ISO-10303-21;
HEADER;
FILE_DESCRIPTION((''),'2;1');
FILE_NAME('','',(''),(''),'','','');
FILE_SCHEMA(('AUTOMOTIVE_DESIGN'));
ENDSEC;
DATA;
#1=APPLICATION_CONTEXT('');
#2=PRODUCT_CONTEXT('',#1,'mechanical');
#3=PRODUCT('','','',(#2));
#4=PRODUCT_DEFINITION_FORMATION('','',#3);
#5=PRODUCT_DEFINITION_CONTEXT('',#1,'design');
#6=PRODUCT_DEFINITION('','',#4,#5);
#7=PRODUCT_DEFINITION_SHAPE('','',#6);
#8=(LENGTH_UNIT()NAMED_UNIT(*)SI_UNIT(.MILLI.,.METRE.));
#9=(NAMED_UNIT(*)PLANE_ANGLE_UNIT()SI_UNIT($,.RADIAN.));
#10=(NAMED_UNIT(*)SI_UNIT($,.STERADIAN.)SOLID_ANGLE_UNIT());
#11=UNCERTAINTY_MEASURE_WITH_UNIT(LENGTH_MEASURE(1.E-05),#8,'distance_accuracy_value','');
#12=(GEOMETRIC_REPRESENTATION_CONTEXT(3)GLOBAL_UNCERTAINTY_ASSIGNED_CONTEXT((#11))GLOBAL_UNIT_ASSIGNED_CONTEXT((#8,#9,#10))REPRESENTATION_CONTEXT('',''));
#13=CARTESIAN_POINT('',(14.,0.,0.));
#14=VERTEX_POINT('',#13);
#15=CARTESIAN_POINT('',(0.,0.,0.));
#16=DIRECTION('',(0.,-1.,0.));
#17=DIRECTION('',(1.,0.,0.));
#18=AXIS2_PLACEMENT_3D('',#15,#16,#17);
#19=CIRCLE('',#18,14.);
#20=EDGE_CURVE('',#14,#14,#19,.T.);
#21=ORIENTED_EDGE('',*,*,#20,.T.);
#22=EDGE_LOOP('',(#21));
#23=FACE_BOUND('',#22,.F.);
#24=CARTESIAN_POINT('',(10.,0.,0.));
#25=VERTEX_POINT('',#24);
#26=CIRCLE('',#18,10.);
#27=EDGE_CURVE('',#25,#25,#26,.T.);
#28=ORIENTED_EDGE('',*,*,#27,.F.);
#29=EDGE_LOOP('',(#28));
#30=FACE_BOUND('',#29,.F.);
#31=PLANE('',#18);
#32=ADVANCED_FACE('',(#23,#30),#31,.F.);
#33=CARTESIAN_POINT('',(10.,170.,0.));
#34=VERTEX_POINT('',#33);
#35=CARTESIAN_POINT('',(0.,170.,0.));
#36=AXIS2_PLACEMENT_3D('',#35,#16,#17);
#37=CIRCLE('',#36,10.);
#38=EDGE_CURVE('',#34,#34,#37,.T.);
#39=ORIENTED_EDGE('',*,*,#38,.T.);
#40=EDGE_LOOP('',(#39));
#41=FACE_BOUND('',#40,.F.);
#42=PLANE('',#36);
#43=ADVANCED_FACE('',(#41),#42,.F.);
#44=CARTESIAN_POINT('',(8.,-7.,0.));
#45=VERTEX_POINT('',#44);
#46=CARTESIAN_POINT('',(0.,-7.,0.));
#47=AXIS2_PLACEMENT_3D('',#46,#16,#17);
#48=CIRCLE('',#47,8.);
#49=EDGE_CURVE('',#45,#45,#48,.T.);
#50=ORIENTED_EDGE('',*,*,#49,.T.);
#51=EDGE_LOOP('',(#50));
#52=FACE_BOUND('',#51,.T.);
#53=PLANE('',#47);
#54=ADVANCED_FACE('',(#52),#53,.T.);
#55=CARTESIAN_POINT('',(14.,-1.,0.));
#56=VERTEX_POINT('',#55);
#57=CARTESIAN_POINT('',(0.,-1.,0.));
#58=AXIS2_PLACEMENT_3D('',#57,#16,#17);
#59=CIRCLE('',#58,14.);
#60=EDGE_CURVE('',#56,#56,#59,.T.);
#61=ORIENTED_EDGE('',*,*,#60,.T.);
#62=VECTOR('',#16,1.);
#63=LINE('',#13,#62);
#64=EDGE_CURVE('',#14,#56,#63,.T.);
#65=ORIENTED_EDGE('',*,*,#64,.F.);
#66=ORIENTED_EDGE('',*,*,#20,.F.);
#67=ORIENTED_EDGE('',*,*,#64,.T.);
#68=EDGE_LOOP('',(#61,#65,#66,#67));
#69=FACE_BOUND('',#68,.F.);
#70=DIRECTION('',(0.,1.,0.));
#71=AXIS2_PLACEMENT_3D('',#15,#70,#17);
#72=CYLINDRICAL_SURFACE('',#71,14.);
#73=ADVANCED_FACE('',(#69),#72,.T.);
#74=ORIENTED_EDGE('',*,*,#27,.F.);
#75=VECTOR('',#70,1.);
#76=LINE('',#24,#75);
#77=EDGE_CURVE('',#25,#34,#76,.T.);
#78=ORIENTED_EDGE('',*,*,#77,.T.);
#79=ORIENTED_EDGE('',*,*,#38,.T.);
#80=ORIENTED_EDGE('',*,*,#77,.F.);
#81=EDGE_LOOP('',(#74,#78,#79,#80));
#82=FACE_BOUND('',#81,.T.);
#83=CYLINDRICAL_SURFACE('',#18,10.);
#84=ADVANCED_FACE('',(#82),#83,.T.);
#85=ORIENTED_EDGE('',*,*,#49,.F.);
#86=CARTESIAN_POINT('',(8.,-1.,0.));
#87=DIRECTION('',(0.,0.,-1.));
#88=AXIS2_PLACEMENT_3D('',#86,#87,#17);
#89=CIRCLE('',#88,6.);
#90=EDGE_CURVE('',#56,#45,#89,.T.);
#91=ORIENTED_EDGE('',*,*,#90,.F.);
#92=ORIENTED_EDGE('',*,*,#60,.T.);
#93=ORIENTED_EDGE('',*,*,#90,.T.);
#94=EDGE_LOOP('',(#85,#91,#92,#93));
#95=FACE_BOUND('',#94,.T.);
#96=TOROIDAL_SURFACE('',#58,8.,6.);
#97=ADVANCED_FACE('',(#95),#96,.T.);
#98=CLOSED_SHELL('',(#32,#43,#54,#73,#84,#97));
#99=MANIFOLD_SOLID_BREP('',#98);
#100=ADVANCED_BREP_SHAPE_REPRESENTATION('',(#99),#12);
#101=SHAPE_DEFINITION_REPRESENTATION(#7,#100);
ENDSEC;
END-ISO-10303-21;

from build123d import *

# Parameters (mm, degrees)
F0_R     = 10
F1_DEPTH = 170
F2_R     = 14
F3_DEPTH = 7
F4_R     = 6


with BuildPart() as f1:
    # F0 (on Front) → F1 (new body)
    with BuildSketch(Plane.XZ):
        Circle(F0_R)
    extrude(amount=-F1_DEPTH)

    # F2 (on Front) → F3 (join)
    with BuildSketch(Plane.XZ):
        Circle(F2_R)
    extrude(amount=F3_DEPTH)

    # F4
    f4_edges = [f1.edges().sort_by_distance(p)[0] for p in [
        (-14, -7, 0),
    ]]
    fillet(f4_edges, radius=F4_R)


solid = f1.part
